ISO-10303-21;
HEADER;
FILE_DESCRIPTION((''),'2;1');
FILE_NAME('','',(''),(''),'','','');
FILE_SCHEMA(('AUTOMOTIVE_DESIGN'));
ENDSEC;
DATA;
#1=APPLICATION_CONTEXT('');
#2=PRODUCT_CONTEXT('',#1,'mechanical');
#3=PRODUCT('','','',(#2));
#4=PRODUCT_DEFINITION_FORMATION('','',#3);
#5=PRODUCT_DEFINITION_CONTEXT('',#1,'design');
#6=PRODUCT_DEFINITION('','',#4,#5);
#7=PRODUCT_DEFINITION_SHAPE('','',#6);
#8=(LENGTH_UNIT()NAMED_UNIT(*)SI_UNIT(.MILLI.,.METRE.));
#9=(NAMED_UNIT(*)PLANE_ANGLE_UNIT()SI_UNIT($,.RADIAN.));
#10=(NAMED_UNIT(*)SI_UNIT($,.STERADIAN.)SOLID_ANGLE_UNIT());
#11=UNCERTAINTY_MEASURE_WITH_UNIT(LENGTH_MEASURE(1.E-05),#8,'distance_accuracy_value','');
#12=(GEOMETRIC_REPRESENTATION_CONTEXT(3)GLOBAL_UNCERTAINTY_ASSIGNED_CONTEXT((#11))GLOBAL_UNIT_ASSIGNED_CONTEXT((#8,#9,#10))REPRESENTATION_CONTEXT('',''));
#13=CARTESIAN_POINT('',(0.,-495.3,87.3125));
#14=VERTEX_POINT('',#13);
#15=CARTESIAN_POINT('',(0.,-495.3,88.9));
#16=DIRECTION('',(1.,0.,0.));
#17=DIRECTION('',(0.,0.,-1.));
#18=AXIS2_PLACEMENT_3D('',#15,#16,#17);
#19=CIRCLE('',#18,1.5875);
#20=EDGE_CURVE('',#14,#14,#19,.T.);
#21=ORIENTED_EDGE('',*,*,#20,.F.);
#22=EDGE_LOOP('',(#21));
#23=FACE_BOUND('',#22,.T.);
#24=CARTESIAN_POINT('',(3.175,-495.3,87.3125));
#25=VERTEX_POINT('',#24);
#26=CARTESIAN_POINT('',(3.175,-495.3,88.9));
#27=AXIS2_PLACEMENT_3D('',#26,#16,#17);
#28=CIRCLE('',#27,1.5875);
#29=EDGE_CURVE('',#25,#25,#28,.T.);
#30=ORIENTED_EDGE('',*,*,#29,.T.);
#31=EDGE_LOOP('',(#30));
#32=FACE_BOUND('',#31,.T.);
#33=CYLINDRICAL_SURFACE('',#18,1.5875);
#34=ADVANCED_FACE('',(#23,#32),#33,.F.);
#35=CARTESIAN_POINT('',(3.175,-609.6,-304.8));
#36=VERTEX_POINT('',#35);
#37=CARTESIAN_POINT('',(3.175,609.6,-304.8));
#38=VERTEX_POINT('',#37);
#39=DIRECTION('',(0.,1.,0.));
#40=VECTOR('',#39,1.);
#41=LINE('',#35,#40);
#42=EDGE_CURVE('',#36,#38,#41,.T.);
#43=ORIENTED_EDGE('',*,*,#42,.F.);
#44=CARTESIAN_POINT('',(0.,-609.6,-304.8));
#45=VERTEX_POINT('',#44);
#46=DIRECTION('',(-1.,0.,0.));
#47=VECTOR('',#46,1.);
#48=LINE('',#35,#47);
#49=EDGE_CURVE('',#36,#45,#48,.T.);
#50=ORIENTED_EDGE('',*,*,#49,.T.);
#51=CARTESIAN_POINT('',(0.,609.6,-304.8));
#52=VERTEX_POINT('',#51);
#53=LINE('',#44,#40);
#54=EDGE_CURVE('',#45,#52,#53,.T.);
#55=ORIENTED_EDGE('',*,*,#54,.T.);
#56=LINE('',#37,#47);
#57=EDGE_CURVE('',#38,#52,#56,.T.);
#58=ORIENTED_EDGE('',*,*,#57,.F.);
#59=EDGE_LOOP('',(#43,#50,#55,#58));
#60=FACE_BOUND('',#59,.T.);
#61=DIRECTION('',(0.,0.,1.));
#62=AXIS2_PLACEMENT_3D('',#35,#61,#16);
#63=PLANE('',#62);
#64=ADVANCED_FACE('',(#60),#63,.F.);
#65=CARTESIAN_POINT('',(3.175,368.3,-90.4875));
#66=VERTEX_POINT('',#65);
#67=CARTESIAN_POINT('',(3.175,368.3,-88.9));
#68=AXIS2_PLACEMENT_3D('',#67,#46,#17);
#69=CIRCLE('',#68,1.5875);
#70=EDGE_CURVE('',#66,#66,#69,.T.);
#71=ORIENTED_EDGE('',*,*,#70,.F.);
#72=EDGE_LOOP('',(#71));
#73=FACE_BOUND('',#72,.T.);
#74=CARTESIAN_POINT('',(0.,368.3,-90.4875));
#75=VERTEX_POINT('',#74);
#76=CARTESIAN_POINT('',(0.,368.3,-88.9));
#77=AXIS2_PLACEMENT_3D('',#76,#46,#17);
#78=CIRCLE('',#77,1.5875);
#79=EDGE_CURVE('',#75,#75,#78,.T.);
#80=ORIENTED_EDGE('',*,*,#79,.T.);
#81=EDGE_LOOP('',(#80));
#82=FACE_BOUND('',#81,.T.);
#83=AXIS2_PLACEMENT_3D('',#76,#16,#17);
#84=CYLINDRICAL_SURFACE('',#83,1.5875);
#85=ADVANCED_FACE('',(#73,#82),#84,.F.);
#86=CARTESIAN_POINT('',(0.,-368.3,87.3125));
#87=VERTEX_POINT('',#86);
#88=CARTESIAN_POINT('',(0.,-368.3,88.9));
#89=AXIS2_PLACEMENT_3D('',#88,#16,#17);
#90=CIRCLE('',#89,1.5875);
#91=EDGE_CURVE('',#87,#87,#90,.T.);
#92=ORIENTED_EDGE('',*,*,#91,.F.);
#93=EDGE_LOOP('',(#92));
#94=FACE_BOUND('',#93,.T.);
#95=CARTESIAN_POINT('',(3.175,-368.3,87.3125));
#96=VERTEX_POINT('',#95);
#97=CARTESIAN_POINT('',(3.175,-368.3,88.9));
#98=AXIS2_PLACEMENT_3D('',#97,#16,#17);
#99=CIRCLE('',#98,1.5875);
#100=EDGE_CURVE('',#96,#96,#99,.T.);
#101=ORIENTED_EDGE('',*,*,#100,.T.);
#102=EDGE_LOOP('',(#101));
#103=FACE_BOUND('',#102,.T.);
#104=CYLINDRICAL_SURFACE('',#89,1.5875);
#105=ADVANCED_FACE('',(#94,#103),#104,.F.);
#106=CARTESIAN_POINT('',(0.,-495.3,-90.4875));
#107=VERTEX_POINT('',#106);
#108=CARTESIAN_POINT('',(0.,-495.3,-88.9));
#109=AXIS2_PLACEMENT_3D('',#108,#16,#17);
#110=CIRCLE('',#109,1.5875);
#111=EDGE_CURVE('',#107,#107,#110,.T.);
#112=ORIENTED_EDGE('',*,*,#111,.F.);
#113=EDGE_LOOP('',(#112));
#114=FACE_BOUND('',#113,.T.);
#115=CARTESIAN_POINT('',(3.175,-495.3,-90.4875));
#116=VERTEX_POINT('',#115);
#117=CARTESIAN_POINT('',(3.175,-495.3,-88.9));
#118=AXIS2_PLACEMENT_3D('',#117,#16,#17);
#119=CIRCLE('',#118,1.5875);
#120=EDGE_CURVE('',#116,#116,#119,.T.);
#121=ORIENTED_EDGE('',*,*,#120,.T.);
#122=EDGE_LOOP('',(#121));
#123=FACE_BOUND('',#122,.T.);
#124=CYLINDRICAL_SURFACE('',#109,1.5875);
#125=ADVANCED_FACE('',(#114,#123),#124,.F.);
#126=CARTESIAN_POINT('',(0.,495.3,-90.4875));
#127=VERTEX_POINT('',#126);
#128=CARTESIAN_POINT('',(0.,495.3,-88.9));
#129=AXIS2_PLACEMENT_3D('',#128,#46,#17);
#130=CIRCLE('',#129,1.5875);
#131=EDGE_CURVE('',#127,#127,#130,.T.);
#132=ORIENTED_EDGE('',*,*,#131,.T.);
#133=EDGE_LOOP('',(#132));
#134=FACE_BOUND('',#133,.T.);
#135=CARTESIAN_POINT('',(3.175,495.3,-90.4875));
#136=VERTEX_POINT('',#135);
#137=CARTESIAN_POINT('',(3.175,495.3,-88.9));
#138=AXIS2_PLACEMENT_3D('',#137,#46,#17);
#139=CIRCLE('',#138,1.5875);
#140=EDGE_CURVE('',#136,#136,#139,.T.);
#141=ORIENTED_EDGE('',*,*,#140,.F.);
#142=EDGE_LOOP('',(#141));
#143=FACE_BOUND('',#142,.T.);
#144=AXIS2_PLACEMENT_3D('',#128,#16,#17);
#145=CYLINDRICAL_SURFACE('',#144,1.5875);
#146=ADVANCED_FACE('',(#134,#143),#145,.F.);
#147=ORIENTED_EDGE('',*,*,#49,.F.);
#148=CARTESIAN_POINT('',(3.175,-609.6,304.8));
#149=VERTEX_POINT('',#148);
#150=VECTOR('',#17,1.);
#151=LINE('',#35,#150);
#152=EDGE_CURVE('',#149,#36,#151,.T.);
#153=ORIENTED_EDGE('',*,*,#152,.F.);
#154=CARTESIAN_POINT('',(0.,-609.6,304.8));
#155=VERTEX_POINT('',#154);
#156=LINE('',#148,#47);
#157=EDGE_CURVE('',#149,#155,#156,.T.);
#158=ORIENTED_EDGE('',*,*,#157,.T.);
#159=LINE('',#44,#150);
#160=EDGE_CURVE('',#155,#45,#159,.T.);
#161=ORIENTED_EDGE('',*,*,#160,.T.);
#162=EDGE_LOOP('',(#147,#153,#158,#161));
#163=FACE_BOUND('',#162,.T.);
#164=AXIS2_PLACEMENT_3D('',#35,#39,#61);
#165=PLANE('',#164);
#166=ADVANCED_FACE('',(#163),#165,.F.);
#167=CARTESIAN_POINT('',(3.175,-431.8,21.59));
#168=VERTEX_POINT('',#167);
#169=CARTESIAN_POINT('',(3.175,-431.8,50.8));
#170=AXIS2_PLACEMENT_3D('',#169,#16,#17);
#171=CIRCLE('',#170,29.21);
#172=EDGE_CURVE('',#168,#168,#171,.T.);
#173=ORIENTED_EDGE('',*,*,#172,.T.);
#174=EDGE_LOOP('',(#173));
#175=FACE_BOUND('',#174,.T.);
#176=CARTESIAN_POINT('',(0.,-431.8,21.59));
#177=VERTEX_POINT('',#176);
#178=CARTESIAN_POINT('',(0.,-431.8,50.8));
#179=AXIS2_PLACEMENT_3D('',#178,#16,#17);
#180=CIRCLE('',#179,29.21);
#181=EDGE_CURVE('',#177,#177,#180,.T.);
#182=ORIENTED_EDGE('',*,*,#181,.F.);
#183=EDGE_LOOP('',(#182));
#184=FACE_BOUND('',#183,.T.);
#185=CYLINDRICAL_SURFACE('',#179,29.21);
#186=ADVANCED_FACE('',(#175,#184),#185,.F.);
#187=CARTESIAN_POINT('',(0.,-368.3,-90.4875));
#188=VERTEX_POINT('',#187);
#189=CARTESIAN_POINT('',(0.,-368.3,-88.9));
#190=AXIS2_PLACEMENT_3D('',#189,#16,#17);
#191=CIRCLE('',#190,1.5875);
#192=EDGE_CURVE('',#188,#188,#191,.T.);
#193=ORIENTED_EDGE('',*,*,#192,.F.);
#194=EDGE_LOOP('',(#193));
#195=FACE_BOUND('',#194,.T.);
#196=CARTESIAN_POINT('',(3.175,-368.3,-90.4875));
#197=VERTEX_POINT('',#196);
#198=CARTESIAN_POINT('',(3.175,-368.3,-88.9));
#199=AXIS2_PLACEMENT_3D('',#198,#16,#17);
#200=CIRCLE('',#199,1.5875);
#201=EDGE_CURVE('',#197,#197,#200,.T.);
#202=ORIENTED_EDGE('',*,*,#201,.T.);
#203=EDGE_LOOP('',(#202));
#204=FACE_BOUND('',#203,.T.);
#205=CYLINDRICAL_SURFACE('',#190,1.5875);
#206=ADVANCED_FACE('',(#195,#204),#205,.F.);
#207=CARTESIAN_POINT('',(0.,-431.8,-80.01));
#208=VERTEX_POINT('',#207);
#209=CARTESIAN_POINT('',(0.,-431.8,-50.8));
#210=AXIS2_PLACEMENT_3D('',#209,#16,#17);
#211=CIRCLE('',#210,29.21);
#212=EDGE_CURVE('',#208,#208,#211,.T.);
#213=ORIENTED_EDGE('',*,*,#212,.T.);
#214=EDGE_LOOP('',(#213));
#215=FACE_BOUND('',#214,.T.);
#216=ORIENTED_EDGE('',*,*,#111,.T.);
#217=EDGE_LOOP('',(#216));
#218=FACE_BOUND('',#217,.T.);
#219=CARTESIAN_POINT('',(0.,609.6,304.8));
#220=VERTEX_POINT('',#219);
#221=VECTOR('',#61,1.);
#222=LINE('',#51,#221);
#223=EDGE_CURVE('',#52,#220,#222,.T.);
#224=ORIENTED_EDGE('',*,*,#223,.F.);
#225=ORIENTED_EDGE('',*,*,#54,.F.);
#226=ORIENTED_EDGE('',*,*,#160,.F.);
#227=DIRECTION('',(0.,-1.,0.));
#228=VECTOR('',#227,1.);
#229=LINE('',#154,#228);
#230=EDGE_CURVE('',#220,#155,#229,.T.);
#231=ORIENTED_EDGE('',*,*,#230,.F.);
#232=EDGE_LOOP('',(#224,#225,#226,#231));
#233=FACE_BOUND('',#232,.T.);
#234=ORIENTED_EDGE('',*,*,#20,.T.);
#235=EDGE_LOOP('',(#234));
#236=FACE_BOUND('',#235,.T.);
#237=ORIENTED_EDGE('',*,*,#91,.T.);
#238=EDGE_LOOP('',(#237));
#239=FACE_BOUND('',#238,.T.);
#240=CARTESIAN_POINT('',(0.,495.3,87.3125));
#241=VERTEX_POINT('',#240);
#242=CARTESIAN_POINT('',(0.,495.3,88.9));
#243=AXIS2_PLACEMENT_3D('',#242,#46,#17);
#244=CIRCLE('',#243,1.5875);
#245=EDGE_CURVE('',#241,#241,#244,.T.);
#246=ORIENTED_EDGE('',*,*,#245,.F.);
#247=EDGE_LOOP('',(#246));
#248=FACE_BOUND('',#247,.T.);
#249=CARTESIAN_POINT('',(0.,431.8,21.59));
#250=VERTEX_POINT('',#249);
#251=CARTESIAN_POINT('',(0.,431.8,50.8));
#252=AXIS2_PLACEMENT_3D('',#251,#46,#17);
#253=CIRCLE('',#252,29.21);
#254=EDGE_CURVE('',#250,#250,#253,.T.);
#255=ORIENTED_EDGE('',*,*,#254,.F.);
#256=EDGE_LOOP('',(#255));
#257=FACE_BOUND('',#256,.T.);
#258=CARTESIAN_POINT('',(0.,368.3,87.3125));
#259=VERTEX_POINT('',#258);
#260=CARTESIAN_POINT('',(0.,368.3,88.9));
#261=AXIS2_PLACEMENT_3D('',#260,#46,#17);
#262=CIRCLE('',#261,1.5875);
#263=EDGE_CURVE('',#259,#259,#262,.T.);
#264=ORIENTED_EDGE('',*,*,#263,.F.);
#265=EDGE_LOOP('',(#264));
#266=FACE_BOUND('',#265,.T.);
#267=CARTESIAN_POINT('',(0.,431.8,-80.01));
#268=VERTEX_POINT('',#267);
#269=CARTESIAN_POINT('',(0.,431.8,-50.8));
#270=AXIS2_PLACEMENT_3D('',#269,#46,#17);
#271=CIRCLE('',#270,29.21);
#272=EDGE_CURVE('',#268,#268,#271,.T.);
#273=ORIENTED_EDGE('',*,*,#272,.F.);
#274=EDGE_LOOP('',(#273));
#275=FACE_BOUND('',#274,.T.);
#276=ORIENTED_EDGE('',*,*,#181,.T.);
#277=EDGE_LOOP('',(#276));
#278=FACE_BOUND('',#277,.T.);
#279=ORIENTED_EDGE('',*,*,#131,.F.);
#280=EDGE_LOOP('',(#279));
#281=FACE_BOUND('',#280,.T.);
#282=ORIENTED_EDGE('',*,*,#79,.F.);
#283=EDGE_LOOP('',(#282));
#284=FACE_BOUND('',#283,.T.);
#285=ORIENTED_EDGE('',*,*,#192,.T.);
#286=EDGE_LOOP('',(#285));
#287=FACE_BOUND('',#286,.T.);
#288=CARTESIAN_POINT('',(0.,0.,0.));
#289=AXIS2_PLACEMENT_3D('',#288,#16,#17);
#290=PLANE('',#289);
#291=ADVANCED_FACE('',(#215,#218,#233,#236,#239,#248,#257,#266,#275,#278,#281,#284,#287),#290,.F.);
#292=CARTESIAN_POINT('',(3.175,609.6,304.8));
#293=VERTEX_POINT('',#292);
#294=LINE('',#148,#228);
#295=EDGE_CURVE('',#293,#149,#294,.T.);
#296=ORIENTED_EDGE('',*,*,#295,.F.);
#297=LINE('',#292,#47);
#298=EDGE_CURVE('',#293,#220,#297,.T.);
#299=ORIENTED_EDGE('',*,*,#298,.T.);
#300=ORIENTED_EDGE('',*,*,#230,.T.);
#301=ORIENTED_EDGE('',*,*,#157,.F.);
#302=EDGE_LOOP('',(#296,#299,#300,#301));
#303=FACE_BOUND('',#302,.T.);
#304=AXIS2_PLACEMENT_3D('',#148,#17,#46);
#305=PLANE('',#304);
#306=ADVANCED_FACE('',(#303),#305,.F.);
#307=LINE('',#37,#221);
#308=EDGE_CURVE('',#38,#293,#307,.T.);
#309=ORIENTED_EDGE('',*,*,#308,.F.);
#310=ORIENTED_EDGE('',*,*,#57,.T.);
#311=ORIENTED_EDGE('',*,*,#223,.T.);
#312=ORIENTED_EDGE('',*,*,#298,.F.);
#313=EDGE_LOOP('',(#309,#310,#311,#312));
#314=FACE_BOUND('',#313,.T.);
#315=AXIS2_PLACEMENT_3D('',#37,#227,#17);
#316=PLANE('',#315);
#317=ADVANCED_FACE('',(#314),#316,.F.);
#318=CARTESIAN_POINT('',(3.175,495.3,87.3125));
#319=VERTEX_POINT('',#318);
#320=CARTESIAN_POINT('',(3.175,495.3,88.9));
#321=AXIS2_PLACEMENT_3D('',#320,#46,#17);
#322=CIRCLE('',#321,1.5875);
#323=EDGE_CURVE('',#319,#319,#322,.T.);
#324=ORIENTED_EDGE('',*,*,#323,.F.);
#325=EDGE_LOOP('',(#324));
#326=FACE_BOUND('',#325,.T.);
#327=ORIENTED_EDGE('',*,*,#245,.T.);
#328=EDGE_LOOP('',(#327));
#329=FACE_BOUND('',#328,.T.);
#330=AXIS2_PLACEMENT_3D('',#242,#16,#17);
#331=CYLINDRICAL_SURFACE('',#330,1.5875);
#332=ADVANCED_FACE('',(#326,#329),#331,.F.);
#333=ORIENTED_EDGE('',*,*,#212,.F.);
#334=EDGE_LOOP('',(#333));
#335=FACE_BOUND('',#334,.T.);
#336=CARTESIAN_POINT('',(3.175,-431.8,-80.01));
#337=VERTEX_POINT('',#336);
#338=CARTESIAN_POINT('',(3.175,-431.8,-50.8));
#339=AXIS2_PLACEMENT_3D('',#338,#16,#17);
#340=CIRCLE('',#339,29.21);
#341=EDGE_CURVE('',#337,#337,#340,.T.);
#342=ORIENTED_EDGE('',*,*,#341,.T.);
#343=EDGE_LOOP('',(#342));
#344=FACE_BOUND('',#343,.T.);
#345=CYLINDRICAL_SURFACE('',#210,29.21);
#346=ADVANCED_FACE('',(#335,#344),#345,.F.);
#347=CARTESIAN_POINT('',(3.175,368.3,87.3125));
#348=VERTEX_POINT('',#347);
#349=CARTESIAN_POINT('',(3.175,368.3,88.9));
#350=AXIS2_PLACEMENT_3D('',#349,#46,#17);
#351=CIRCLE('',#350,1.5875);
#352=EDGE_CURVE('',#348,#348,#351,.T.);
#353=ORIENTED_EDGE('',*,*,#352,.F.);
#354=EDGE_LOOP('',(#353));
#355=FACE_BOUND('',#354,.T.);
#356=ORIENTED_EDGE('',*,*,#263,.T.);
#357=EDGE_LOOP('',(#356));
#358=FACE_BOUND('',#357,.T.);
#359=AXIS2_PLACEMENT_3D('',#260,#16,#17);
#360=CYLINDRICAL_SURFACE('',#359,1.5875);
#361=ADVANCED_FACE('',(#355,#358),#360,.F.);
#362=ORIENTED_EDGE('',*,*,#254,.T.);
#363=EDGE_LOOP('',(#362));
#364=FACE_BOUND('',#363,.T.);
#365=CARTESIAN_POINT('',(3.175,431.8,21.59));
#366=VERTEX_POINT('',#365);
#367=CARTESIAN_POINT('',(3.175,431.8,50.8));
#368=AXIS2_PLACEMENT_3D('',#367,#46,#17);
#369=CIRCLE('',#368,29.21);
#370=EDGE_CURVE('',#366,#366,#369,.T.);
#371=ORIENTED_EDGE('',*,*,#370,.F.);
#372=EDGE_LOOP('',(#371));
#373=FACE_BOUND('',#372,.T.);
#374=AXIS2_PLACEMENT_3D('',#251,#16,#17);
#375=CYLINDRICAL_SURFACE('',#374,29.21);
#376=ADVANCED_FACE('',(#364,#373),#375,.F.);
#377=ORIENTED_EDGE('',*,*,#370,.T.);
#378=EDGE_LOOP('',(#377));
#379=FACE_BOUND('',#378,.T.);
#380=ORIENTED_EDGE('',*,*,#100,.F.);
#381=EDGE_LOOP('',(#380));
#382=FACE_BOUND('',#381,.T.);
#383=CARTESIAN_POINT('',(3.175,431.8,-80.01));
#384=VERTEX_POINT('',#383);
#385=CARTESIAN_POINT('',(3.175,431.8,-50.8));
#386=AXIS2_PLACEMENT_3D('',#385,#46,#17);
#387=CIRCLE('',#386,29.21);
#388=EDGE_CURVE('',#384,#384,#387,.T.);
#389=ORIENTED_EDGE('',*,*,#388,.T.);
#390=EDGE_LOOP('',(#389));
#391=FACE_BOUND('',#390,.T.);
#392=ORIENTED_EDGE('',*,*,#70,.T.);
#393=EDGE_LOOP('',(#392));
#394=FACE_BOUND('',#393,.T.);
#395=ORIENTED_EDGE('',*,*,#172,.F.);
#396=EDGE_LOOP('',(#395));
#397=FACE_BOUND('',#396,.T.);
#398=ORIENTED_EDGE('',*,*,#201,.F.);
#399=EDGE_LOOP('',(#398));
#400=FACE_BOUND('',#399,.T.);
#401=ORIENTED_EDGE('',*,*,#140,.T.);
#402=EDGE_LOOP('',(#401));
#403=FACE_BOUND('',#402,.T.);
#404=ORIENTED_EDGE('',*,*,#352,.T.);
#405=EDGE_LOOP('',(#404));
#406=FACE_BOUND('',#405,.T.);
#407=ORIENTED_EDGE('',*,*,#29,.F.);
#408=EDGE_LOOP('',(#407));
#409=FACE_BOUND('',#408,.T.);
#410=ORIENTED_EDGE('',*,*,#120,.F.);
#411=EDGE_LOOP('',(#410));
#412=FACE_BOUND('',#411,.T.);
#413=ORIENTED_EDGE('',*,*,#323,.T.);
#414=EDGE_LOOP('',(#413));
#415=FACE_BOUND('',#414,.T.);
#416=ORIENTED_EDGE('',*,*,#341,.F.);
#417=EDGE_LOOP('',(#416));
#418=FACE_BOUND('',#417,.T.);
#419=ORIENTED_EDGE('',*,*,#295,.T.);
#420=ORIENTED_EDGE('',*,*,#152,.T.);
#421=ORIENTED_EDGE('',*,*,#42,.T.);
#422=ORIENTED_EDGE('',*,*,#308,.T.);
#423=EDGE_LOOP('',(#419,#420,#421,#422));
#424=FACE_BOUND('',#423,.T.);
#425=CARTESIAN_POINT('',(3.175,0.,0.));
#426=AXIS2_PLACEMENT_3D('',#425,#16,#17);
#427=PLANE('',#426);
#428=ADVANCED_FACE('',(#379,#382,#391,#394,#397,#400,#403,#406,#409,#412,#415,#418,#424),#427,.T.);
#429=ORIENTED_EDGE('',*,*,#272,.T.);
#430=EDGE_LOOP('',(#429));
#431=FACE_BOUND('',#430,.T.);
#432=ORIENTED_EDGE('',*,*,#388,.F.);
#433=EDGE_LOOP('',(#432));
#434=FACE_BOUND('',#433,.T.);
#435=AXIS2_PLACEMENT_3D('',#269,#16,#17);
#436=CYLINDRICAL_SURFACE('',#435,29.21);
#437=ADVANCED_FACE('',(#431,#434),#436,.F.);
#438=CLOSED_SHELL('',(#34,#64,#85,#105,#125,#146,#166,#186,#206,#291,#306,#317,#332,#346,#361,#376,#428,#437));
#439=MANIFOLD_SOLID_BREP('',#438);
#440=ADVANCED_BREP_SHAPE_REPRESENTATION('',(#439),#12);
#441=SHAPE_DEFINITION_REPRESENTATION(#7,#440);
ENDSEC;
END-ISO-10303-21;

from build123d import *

# Parameters (mm, degrees)
SKETCH1_W           = 609.6
SKETCH1_H           = 1219.2
BOSS_EXTRUDE1_DEPTH = 3.175
SKETCH2_R           = 29.21
CUT_EXTRUDE1_DEPTH  = 682.560914831
SKETCH3_R           = 1.5875
CUT_EXTRUDE2_DEPTH  = 682.560914831


with BuildPart() as part:
    # Sketch1 → Boss-Extrude1 (new body)
    with BuildSketch(Plane(origin=(0, 0, 0), x_dir=(0, 0, -1), z_dir=(1, 0, 0))):
        Rectangle(SKETCH1_W, SKETCH1_H)
    extrude(amount=BOSS_EXTRUDE1_DEPTH)

    # Sketch2 → Cut-Extrude1 (cut, through all)
    with BuildSketch(Plane(origin=(3.175, 0, 0), x_dir=(0, 0, -1), z_dir=(1, 0, 0))):
        with Locations((-50.8, -431.8)):
            Circle(SKETCH2_R)
        with Locations((50.8, -431.8)):
            Circle(SKETCH2_R)
    cut_extrude1 = extrude(amount=-CUT_EXTRUDE1_DEPTH, mode=Mode.SUBTRACT)

    # Sketch3 → Cut-Extrude2 (cut, through all)
    with BuildSketch(Plane(origin=(3.175, 0, 0), x_dir=(0, 0, -1), z_dir=(1, 0, 0))):
        with Locations((-88.9, -368.3)):
            Circle(SKETCH3_R)
        with Locations((88.9, -368.3)):
            Circle(SKETCH3_R)
        with Locations((-88.9, -495.3)):
            Circle(SKETCH3_R)
        with Locations((88.9, -495.3)):
            Circle(SKETCH3_R)
    cut_extrude2 = extrude(amount=-CUT_EXTRUDE2_DEPTH, mode=Mode.SUBTRACT)

    # Mirror1: Cut-Extrude1, Cut-Extrude2 across plane
    add(cut_extrude1.mirror(Plane.ZX), mode=Mode.SUBTRACT)
    add(cut_extrude2.mirror(Plane.ZX), mode=Mode.SUBTRACT)


solid = part.part
